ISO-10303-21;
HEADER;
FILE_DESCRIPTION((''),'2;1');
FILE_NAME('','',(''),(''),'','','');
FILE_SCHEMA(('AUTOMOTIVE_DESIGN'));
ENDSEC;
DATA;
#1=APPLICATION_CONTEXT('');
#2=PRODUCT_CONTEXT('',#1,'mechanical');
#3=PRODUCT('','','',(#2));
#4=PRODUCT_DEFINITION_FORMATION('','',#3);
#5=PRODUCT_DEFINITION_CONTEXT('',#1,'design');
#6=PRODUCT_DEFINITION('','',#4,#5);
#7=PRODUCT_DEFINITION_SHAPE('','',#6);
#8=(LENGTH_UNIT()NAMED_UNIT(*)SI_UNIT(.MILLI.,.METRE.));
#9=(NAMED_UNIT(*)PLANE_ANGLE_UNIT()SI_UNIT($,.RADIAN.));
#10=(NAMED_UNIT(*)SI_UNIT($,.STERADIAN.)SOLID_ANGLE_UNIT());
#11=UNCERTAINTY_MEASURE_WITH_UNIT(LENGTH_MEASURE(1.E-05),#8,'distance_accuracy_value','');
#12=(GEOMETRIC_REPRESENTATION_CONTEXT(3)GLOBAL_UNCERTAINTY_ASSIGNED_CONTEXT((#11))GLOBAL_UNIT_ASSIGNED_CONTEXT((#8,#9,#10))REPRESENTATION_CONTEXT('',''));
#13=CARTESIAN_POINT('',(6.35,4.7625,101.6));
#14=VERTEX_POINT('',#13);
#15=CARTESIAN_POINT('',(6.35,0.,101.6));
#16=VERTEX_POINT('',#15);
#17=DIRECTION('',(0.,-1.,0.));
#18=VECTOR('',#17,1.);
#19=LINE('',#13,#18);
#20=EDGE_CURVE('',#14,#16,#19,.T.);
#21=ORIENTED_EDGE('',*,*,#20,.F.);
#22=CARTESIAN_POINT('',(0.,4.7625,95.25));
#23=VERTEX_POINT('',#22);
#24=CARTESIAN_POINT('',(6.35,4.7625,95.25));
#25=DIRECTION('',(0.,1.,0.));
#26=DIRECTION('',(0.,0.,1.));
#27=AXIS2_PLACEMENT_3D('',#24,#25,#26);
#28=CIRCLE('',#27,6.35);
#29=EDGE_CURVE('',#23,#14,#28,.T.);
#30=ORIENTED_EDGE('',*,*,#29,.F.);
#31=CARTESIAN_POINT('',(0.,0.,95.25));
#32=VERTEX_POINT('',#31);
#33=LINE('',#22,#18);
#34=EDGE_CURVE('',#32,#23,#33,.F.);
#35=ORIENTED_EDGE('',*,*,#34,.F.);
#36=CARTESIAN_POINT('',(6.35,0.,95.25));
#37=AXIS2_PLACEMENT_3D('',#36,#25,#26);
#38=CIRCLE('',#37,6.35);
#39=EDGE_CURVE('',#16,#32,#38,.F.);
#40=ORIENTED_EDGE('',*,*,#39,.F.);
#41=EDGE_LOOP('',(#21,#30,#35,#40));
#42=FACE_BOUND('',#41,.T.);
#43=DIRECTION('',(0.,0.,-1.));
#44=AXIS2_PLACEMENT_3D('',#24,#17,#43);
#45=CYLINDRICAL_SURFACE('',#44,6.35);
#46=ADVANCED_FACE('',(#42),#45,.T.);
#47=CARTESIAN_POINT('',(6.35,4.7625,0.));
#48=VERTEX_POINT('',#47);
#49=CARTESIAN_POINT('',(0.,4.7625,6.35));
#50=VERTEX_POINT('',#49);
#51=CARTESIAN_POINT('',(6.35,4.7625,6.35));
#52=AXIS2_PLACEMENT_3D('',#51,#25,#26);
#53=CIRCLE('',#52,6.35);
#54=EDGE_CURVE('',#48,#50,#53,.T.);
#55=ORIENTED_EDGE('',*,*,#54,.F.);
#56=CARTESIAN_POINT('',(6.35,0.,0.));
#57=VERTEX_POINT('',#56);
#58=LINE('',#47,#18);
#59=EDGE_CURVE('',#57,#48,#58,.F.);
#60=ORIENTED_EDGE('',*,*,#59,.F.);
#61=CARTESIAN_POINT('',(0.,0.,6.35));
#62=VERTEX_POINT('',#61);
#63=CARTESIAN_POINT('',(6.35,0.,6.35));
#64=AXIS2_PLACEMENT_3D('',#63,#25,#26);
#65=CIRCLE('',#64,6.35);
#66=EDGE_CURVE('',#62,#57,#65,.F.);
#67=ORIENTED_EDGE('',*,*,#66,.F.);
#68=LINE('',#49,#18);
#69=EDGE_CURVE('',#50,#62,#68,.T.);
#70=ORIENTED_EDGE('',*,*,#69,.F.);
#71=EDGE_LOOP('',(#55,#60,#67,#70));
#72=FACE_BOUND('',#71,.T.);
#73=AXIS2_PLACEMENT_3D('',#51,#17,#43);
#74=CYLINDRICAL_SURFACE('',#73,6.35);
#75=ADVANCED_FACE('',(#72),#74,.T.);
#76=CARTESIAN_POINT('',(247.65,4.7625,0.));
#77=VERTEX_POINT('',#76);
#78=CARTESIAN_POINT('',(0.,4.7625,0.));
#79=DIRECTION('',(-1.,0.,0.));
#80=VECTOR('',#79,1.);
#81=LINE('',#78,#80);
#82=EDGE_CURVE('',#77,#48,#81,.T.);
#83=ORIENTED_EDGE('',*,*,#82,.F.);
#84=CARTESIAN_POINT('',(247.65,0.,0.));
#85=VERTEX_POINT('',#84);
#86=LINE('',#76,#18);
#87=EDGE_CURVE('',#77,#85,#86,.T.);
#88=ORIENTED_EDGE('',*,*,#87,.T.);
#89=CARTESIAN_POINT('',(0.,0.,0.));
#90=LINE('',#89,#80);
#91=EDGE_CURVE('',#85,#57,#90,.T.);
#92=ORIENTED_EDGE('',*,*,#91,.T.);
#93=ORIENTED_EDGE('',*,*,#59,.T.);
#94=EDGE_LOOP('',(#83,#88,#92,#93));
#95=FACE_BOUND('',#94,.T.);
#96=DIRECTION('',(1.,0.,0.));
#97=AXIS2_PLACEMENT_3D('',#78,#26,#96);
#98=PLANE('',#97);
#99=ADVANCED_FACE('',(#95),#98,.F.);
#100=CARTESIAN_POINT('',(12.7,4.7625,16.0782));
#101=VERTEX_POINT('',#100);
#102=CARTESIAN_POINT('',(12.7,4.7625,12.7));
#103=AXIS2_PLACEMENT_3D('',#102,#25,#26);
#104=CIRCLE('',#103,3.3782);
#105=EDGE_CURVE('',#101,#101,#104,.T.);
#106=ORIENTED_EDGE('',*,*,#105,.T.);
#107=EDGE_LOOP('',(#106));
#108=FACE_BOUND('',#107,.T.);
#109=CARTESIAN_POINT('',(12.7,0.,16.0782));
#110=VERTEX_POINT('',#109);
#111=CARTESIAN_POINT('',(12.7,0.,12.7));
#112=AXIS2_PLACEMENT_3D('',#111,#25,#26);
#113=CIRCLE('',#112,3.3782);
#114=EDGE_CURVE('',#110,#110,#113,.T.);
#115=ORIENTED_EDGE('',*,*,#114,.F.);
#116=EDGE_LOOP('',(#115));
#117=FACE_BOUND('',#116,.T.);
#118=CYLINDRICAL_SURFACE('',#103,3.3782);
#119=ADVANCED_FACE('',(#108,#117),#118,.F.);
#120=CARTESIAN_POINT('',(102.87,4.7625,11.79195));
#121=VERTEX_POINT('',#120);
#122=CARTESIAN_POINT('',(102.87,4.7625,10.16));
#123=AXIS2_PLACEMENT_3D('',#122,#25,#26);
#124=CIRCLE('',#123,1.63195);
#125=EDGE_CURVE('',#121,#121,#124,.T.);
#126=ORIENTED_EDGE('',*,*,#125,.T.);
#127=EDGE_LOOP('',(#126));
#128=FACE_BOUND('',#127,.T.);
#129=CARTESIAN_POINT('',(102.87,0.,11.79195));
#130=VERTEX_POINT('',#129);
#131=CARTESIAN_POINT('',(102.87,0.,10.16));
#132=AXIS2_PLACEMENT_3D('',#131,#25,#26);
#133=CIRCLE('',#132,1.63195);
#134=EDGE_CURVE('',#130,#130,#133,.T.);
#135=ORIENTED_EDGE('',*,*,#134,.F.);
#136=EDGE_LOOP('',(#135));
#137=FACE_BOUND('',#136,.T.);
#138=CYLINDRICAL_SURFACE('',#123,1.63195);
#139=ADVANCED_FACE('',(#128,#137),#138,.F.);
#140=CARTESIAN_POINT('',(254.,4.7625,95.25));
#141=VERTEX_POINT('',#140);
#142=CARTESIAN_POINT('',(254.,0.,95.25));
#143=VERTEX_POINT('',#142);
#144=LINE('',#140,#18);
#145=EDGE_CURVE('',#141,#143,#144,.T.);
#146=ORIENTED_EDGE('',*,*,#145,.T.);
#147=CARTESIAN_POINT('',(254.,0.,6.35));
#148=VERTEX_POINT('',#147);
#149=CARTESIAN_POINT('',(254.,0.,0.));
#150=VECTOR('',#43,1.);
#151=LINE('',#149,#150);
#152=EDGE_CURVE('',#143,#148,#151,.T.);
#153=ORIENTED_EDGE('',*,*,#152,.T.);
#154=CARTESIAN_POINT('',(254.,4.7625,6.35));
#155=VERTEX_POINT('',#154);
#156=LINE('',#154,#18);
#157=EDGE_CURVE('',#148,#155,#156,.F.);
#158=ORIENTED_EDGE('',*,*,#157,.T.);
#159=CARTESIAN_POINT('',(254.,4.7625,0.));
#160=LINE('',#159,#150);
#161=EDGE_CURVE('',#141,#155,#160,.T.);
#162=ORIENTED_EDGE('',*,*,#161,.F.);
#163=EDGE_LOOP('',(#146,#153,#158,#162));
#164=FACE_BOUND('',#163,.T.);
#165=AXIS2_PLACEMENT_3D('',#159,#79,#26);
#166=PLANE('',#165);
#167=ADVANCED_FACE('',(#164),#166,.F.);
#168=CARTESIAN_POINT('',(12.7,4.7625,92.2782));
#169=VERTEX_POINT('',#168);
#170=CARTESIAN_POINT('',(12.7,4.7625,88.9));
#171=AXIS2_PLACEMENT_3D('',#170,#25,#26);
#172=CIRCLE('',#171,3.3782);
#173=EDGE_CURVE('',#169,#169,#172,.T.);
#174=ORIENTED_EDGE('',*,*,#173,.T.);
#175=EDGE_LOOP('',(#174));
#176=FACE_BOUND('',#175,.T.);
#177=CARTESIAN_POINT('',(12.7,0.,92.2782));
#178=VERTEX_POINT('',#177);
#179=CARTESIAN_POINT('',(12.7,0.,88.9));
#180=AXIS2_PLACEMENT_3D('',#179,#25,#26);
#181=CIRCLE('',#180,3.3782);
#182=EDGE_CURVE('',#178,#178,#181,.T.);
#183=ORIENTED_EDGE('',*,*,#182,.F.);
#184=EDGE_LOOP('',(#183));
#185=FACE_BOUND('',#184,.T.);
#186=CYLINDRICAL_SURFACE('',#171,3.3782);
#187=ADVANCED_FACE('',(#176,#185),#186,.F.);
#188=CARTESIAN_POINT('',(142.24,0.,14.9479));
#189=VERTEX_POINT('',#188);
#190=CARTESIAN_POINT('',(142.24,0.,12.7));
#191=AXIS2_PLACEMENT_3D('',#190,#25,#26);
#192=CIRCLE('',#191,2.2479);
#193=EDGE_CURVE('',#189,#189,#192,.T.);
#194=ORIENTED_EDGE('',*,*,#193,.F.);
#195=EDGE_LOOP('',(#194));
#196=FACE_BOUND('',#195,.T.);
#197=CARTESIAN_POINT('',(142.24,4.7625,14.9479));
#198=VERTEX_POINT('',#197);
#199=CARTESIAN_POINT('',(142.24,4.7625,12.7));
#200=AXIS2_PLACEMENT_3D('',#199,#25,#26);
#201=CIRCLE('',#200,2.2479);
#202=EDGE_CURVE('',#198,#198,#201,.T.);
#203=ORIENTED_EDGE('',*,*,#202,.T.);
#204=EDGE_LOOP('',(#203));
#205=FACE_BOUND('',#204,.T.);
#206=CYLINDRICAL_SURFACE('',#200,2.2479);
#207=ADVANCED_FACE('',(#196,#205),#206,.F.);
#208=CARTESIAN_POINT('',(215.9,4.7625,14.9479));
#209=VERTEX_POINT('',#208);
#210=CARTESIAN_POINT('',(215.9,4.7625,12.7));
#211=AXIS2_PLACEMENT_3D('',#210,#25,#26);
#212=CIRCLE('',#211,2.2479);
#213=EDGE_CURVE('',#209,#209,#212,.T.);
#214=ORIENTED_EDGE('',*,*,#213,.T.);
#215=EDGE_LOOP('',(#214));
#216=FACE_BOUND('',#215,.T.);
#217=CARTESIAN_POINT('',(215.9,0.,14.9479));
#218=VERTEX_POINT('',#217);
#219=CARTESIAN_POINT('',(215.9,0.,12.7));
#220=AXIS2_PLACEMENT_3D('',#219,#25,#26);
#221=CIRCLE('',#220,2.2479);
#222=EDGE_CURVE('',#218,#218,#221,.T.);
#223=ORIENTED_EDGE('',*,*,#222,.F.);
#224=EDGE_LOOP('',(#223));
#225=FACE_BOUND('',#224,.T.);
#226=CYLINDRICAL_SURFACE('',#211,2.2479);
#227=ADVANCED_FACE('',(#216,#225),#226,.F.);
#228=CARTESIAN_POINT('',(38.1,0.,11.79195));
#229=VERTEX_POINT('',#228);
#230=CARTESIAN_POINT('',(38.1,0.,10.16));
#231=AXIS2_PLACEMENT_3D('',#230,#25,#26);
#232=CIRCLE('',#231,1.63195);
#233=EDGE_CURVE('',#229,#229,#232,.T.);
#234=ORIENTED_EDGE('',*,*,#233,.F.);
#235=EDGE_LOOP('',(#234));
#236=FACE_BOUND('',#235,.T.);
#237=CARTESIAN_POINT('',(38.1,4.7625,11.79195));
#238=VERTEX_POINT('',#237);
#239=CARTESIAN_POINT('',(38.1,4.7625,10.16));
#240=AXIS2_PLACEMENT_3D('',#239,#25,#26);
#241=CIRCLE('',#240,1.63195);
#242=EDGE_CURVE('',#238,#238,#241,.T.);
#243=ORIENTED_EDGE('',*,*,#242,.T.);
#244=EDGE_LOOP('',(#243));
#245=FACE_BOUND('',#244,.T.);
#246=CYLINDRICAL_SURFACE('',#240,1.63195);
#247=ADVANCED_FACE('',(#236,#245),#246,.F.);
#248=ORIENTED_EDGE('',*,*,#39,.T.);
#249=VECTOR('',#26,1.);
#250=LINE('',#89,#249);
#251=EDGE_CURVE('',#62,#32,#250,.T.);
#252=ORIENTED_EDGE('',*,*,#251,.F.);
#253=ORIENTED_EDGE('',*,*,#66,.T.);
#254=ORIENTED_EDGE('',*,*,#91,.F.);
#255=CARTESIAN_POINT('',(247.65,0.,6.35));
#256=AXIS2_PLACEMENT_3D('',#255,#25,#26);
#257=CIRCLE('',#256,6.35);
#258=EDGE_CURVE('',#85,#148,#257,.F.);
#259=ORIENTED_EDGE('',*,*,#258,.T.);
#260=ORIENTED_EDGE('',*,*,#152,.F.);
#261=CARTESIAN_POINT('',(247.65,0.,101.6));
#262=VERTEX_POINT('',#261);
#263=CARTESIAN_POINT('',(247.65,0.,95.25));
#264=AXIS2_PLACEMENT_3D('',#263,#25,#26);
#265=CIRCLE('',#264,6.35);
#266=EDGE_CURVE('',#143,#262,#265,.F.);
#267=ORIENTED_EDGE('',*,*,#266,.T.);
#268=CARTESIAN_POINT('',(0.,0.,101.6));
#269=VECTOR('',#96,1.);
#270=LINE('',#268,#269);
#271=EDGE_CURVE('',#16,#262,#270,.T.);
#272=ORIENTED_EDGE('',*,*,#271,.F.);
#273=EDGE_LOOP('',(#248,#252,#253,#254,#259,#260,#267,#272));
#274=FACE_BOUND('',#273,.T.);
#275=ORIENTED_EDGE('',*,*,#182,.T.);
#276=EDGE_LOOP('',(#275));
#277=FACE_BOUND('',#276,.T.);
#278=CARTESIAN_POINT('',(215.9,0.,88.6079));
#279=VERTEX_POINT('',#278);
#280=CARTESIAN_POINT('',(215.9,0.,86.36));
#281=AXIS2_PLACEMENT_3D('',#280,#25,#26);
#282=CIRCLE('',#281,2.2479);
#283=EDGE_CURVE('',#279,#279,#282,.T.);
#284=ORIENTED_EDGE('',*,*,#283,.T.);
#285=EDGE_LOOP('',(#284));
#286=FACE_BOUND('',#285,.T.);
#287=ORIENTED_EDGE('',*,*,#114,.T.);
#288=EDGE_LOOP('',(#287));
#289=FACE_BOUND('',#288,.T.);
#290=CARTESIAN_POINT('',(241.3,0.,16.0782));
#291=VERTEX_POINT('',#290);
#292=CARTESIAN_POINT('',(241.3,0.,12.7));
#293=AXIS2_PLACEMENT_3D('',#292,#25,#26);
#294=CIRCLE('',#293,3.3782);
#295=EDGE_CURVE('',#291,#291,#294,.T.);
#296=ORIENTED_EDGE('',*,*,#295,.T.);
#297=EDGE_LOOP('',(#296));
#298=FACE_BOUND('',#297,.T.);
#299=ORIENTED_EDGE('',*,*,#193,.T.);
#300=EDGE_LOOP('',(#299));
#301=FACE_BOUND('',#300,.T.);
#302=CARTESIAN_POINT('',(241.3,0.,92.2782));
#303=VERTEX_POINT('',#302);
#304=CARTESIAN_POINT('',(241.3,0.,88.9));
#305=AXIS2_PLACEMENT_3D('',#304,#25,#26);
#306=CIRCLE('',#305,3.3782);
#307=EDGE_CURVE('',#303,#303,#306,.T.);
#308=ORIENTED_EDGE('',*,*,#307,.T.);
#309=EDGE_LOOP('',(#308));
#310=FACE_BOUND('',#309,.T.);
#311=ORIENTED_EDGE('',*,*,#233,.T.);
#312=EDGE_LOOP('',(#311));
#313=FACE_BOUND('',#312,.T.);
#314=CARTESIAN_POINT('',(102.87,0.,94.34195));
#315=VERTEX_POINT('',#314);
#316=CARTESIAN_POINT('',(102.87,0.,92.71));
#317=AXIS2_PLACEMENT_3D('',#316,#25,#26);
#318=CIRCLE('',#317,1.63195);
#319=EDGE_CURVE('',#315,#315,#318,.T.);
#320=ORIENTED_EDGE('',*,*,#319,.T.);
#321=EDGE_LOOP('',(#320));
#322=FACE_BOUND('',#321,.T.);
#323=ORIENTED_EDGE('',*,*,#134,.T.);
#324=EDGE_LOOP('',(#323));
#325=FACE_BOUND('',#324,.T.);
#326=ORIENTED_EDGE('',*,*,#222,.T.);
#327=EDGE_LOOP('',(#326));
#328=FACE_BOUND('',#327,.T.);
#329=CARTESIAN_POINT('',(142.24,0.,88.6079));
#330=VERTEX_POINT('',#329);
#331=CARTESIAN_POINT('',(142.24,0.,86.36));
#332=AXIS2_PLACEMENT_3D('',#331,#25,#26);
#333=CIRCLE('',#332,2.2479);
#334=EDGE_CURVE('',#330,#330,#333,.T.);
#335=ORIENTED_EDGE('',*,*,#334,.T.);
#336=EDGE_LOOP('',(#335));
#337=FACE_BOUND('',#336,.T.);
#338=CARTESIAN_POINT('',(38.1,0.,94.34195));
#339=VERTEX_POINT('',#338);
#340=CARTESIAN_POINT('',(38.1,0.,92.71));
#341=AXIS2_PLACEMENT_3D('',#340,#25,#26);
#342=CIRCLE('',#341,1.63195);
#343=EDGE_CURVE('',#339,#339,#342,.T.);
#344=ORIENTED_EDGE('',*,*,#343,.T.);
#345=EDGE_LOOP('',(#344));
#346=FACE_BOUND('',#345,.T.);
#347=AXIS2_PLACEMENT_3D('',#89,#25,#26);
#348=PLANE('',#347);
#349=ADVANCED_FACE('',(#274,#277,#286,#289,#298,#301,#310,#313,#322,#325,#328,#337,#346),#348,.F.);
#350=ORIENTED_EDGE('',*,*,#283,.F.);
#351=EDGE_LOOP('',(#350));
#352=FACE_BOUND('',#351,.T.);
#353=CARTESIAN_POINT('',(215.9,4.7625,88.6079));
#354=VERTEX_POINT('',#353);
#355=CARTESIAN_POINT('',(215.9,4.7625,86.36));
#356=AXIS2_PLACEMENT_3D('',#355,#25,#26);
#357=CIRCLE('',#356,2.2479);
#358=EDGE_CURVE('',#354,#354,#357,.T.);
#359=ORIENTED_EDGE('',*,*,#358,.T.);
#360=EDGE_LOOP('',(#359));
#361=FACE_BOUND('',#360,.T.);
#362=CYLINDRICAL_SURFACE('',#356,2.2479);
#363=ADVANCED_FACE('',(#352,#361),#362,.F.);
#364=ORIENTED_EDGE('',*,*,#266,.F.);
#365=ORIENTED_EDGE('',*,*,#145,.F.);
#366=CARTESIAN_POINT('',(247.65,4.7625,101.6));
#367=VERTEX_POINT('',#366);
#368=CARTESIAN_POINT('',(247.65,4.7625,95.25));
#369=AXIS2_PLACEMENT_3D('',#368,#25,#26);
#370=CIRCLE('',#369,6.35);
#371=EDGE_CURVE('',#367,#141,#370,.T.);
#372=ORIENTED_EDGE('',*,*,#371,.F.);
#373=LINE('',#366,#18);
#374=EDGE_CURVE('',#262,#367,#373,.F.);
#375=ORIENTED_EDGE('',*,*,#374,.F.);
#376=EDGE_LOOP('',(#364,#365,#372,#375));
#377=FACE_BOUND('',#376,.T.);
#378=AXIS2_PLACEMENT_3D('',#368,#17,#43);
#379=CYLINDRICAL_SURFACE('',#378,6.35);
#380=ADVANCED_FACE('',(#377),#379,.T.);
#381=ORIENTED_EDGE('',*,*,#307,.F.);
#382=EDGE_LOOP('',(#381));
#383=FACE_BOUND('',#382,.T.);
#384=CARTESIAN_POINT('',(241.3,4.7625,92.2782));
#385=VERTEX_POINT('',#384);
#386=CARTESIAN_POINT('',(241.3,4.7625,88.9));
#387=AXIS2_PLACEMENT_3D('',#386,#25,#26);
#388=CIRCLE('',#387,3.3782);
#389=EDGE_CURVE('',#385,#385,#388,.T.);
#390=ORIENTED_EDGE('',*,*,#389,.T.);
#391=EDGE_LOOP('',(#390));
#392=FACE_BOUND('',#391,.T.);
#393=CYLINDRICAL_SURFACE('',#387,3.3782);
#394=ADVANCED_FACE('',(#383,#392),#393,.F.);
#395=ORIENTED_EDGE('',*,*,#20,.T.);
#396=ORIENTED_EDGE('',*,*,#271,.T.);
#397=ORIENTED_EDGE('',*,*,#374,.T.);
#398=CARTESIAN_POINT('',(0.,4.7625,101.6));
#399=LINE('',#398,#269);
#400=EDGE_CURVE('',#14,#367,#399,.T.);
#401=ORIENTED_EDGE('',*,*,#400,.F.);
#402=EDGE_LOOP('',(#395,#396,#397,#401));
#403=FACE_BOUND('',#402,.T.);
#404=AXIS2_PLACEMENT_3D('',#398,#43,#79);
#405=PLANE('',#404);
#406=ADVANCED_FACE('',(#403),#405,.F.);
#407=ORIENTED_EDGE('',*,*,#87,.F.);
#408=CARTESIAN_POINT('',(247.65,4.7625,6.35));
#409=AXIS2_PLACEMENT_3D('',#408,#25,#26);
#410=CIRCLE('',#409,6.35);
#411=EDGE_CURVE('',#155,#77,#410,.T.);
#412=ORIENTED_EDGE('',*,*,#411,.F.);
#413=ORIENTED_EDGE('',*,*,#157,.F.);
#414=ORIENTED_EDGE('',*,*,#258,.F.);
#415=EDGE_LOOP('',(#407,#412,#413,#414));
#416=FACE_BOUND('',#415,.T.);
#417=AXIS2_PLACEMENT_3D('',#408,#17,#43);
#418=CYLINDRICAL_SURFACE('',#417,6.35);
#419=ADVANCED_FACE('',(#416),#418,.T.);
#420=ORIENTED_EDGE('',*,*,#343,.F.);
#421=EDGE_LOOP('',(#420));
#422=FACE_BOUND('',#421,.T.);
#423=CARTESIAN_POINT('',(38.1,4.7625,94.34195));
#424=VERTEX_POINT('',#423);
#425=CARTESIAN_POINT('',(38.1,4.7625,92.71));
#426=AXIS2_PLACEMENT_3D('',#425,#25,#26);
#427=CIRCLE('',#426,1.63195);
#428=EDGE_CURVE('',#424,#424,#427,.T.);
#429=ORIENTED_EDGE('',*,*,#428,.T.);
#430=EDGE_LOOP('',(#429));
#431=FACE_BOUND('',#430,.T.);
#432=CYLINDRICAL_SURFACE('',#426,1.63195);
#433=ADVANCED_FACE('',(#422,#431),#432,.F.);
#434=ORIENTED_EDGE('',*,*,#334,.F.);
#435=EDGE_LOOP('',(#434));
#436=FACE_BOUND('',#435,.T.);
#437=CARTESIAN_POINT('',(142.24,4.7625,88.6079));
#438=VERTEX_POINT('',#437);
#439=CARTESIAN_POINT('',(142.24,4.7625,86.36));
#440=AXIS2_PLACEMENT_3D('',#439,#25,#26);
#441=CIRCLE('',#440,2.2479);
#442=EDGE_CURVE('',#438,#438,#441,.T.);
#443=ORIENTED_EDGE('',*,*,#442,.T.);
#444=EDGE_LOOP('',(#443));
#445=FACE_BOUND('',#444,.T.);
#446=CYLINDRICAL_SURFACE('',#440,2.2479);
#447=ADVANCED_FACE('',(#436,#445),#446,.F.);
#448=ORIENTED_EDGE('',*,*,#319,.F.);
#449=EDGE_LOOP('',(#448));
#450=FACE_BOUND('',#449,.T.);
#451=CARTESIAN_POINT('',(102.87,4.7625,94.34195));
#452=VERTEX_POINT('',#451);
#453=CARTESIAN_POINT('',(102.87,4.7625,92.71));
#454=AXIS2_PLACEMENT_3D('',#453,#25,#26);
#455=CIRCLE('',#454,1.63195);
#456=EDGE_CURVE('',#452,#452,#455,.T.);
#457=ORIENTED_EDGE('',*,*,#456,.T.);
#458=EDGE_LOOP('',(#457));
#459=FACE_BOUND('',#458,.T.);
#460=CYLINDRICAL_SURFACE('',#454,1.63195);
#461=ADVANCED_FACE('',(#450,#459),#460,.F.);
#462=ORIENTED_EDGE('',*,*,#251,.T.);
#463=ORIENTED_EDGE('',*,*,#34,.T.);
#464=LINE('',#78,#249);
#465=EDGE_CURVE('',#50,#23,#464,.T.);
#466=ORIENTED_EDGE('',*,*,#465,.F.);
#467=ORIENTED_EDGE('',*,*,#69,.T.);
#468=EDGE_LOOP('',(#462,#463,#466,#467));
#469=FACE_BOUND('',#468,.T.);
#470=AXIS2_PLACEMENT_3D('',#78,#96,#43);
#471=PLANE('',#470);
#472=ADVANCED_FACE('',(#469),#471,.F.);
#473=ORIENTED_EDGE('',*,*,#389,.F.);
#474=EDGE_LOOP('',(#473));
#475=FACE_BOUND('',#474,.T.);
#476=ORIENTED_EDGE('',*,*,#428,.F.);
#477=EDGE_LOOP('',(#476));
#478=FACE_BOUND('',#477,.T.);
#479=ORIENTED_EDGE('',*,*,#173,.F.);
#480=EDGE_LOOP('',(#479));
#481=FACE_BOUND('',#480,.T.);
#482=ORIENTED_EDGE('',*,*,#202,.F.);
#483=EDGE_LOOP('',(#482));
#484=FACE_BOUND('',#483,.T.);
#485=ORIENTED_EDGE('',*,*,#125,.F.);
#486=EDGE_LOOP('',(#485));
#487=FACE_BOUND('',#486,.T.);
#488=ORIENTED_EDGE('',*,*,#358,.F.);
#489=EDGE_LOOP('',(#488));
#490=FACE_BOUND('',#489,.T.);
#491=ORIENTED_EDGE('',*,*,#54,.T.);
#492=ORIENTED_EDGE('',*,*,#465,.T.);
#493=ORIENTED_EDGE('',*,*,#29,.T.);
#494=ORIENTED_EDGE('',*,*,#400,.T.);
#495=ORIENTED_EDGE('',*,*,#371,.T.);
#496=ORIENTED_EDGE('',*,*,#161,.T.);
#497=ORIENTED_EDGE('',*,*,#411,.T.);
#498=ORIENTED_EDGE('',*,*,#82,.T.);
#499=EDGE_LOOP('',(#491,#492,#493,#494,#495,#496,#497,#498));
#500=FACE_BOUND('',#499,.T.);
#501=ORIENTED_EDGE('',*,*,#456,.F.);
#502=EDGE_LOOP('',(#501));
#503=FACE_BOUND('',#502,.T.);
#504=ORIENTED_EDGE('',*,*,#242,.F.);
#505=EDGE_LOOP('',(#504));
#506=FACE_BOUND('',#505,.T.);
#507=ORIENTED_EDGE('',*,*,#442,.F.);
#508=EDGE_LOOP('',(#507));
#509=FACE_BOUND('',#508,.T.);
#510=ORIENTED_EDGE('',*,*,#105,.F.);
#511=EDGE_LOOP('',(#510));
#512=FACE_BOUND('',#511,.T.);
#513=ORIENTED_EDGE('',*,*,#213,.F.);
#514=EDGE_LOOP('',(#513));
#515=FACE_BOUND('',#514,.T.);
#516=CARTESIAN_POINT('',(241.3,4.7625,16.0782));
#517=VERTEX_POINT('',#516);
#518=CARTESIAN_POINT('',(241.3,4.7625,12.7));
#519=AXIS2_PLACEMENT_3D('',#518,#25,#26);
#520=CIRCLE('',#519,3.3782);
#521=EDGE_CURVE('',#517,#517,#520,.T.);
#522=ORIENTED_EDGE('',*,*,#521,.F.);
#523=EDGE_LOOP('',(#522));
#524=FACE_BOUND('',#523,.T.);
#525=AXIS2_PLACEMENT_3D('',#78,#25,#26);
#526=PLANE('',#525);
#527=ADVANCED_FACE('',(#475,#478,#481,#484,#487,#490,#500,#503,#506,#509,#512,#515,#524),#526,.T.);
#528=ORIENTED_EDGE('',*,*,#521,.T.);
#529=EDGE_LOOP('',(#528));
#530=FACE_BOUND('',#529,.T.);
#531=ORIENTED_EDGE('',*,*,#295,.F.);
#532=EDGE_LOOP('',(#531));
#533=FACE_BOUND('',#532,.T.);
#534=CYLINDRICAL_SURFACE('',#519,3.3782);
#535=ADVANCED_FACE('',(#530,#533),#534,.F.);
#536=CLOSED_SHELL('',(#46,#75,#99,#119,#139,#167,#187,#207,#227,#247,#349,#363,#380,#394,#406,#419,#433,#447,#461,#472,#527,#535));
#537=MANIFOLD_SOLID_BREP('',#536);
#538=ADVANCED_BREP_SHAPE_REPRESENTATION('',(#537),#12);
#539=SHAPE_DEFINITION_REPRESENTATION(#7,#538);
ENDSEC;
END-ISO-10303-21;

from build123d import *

# Parameters (mm, degrees)
SKETCH2_W               = 254
SKETCH2_H               = 101.6
BOSS_EXTRUDE1_DEPTH     = 4.7625
FILLET1_R               = 6.35
F_1_4_CLEARANCE_HOLE1_D = 6.7564
F_8_CLEARANCE_HOLE1_D   = 4.4958
F_4_CLEARANCE_HOLE1_D   = 3.2639


with BuildPart() as part:
    # Sketch2 → Boss-Extrude1 (new body)
    with BuildSketch(Plane(origin=(0, 0, 0), x_dir=(1, 0, 0), z_dir=(0, 1, 0))):
        with Locations((127, -50.8)):
            Rectangle(SKETCH2_W, SKETCH2_H)
    extrude(amount=BOSS_EXTRUDE1_DEPTH)

    # Fillet1
    fillet1_edges = [part.edges().sort_by_distance(p)[0] for p in [
        (0, 2.38125, 0),
        (254, 2.38125, 0),
        (254, 2.38125, 101.6),
        (0, 2.38125, 101.6),
    ]]
    fillet(fillet1_edges, radius=FILLET1_R)

    # 1/4 Clearance Hole1 (through all)
    with Locations(Plane(origin=(0, 4.7625, 0), x_dir=(1, 0, 0), z_dir=(0, 1, 0))):
        with Locations((12.7, -12.7), (12.7, -88.9), (241.3, -88.9), (241.3, -12.7)):
            Hole(F_1_4_CLEARANCE_HOLE1_D / 2)

    # #8 Clearance Hole1 (through all)
    with Locations(Plane(origin=(0, 4.7625, 0), x_dir=(1, 0, 0), z_dir=(0, 1, 0))):
        with Locations((142.24, -12.7), (215.9, -12.7), (215.9, -86.36), (142.24, -86.36)):
            Hole(F_8_CLEARANCE_HOLE1_D / 2)

    # #4 Clearance Hole1 (through all)
    with Locations(Plane(origin=(0, 4.7625, 0), x_dir=(1, 0, 0), z_dir=(0, 1, 0))):
        with Locations((38.1, -10.16), (102.87, -10.16), (102.87, -92.71), (38.1, -92.71)):
            Hole(F_4_CLEARANCE_HOLE1_D / 2)


solid = part.part
